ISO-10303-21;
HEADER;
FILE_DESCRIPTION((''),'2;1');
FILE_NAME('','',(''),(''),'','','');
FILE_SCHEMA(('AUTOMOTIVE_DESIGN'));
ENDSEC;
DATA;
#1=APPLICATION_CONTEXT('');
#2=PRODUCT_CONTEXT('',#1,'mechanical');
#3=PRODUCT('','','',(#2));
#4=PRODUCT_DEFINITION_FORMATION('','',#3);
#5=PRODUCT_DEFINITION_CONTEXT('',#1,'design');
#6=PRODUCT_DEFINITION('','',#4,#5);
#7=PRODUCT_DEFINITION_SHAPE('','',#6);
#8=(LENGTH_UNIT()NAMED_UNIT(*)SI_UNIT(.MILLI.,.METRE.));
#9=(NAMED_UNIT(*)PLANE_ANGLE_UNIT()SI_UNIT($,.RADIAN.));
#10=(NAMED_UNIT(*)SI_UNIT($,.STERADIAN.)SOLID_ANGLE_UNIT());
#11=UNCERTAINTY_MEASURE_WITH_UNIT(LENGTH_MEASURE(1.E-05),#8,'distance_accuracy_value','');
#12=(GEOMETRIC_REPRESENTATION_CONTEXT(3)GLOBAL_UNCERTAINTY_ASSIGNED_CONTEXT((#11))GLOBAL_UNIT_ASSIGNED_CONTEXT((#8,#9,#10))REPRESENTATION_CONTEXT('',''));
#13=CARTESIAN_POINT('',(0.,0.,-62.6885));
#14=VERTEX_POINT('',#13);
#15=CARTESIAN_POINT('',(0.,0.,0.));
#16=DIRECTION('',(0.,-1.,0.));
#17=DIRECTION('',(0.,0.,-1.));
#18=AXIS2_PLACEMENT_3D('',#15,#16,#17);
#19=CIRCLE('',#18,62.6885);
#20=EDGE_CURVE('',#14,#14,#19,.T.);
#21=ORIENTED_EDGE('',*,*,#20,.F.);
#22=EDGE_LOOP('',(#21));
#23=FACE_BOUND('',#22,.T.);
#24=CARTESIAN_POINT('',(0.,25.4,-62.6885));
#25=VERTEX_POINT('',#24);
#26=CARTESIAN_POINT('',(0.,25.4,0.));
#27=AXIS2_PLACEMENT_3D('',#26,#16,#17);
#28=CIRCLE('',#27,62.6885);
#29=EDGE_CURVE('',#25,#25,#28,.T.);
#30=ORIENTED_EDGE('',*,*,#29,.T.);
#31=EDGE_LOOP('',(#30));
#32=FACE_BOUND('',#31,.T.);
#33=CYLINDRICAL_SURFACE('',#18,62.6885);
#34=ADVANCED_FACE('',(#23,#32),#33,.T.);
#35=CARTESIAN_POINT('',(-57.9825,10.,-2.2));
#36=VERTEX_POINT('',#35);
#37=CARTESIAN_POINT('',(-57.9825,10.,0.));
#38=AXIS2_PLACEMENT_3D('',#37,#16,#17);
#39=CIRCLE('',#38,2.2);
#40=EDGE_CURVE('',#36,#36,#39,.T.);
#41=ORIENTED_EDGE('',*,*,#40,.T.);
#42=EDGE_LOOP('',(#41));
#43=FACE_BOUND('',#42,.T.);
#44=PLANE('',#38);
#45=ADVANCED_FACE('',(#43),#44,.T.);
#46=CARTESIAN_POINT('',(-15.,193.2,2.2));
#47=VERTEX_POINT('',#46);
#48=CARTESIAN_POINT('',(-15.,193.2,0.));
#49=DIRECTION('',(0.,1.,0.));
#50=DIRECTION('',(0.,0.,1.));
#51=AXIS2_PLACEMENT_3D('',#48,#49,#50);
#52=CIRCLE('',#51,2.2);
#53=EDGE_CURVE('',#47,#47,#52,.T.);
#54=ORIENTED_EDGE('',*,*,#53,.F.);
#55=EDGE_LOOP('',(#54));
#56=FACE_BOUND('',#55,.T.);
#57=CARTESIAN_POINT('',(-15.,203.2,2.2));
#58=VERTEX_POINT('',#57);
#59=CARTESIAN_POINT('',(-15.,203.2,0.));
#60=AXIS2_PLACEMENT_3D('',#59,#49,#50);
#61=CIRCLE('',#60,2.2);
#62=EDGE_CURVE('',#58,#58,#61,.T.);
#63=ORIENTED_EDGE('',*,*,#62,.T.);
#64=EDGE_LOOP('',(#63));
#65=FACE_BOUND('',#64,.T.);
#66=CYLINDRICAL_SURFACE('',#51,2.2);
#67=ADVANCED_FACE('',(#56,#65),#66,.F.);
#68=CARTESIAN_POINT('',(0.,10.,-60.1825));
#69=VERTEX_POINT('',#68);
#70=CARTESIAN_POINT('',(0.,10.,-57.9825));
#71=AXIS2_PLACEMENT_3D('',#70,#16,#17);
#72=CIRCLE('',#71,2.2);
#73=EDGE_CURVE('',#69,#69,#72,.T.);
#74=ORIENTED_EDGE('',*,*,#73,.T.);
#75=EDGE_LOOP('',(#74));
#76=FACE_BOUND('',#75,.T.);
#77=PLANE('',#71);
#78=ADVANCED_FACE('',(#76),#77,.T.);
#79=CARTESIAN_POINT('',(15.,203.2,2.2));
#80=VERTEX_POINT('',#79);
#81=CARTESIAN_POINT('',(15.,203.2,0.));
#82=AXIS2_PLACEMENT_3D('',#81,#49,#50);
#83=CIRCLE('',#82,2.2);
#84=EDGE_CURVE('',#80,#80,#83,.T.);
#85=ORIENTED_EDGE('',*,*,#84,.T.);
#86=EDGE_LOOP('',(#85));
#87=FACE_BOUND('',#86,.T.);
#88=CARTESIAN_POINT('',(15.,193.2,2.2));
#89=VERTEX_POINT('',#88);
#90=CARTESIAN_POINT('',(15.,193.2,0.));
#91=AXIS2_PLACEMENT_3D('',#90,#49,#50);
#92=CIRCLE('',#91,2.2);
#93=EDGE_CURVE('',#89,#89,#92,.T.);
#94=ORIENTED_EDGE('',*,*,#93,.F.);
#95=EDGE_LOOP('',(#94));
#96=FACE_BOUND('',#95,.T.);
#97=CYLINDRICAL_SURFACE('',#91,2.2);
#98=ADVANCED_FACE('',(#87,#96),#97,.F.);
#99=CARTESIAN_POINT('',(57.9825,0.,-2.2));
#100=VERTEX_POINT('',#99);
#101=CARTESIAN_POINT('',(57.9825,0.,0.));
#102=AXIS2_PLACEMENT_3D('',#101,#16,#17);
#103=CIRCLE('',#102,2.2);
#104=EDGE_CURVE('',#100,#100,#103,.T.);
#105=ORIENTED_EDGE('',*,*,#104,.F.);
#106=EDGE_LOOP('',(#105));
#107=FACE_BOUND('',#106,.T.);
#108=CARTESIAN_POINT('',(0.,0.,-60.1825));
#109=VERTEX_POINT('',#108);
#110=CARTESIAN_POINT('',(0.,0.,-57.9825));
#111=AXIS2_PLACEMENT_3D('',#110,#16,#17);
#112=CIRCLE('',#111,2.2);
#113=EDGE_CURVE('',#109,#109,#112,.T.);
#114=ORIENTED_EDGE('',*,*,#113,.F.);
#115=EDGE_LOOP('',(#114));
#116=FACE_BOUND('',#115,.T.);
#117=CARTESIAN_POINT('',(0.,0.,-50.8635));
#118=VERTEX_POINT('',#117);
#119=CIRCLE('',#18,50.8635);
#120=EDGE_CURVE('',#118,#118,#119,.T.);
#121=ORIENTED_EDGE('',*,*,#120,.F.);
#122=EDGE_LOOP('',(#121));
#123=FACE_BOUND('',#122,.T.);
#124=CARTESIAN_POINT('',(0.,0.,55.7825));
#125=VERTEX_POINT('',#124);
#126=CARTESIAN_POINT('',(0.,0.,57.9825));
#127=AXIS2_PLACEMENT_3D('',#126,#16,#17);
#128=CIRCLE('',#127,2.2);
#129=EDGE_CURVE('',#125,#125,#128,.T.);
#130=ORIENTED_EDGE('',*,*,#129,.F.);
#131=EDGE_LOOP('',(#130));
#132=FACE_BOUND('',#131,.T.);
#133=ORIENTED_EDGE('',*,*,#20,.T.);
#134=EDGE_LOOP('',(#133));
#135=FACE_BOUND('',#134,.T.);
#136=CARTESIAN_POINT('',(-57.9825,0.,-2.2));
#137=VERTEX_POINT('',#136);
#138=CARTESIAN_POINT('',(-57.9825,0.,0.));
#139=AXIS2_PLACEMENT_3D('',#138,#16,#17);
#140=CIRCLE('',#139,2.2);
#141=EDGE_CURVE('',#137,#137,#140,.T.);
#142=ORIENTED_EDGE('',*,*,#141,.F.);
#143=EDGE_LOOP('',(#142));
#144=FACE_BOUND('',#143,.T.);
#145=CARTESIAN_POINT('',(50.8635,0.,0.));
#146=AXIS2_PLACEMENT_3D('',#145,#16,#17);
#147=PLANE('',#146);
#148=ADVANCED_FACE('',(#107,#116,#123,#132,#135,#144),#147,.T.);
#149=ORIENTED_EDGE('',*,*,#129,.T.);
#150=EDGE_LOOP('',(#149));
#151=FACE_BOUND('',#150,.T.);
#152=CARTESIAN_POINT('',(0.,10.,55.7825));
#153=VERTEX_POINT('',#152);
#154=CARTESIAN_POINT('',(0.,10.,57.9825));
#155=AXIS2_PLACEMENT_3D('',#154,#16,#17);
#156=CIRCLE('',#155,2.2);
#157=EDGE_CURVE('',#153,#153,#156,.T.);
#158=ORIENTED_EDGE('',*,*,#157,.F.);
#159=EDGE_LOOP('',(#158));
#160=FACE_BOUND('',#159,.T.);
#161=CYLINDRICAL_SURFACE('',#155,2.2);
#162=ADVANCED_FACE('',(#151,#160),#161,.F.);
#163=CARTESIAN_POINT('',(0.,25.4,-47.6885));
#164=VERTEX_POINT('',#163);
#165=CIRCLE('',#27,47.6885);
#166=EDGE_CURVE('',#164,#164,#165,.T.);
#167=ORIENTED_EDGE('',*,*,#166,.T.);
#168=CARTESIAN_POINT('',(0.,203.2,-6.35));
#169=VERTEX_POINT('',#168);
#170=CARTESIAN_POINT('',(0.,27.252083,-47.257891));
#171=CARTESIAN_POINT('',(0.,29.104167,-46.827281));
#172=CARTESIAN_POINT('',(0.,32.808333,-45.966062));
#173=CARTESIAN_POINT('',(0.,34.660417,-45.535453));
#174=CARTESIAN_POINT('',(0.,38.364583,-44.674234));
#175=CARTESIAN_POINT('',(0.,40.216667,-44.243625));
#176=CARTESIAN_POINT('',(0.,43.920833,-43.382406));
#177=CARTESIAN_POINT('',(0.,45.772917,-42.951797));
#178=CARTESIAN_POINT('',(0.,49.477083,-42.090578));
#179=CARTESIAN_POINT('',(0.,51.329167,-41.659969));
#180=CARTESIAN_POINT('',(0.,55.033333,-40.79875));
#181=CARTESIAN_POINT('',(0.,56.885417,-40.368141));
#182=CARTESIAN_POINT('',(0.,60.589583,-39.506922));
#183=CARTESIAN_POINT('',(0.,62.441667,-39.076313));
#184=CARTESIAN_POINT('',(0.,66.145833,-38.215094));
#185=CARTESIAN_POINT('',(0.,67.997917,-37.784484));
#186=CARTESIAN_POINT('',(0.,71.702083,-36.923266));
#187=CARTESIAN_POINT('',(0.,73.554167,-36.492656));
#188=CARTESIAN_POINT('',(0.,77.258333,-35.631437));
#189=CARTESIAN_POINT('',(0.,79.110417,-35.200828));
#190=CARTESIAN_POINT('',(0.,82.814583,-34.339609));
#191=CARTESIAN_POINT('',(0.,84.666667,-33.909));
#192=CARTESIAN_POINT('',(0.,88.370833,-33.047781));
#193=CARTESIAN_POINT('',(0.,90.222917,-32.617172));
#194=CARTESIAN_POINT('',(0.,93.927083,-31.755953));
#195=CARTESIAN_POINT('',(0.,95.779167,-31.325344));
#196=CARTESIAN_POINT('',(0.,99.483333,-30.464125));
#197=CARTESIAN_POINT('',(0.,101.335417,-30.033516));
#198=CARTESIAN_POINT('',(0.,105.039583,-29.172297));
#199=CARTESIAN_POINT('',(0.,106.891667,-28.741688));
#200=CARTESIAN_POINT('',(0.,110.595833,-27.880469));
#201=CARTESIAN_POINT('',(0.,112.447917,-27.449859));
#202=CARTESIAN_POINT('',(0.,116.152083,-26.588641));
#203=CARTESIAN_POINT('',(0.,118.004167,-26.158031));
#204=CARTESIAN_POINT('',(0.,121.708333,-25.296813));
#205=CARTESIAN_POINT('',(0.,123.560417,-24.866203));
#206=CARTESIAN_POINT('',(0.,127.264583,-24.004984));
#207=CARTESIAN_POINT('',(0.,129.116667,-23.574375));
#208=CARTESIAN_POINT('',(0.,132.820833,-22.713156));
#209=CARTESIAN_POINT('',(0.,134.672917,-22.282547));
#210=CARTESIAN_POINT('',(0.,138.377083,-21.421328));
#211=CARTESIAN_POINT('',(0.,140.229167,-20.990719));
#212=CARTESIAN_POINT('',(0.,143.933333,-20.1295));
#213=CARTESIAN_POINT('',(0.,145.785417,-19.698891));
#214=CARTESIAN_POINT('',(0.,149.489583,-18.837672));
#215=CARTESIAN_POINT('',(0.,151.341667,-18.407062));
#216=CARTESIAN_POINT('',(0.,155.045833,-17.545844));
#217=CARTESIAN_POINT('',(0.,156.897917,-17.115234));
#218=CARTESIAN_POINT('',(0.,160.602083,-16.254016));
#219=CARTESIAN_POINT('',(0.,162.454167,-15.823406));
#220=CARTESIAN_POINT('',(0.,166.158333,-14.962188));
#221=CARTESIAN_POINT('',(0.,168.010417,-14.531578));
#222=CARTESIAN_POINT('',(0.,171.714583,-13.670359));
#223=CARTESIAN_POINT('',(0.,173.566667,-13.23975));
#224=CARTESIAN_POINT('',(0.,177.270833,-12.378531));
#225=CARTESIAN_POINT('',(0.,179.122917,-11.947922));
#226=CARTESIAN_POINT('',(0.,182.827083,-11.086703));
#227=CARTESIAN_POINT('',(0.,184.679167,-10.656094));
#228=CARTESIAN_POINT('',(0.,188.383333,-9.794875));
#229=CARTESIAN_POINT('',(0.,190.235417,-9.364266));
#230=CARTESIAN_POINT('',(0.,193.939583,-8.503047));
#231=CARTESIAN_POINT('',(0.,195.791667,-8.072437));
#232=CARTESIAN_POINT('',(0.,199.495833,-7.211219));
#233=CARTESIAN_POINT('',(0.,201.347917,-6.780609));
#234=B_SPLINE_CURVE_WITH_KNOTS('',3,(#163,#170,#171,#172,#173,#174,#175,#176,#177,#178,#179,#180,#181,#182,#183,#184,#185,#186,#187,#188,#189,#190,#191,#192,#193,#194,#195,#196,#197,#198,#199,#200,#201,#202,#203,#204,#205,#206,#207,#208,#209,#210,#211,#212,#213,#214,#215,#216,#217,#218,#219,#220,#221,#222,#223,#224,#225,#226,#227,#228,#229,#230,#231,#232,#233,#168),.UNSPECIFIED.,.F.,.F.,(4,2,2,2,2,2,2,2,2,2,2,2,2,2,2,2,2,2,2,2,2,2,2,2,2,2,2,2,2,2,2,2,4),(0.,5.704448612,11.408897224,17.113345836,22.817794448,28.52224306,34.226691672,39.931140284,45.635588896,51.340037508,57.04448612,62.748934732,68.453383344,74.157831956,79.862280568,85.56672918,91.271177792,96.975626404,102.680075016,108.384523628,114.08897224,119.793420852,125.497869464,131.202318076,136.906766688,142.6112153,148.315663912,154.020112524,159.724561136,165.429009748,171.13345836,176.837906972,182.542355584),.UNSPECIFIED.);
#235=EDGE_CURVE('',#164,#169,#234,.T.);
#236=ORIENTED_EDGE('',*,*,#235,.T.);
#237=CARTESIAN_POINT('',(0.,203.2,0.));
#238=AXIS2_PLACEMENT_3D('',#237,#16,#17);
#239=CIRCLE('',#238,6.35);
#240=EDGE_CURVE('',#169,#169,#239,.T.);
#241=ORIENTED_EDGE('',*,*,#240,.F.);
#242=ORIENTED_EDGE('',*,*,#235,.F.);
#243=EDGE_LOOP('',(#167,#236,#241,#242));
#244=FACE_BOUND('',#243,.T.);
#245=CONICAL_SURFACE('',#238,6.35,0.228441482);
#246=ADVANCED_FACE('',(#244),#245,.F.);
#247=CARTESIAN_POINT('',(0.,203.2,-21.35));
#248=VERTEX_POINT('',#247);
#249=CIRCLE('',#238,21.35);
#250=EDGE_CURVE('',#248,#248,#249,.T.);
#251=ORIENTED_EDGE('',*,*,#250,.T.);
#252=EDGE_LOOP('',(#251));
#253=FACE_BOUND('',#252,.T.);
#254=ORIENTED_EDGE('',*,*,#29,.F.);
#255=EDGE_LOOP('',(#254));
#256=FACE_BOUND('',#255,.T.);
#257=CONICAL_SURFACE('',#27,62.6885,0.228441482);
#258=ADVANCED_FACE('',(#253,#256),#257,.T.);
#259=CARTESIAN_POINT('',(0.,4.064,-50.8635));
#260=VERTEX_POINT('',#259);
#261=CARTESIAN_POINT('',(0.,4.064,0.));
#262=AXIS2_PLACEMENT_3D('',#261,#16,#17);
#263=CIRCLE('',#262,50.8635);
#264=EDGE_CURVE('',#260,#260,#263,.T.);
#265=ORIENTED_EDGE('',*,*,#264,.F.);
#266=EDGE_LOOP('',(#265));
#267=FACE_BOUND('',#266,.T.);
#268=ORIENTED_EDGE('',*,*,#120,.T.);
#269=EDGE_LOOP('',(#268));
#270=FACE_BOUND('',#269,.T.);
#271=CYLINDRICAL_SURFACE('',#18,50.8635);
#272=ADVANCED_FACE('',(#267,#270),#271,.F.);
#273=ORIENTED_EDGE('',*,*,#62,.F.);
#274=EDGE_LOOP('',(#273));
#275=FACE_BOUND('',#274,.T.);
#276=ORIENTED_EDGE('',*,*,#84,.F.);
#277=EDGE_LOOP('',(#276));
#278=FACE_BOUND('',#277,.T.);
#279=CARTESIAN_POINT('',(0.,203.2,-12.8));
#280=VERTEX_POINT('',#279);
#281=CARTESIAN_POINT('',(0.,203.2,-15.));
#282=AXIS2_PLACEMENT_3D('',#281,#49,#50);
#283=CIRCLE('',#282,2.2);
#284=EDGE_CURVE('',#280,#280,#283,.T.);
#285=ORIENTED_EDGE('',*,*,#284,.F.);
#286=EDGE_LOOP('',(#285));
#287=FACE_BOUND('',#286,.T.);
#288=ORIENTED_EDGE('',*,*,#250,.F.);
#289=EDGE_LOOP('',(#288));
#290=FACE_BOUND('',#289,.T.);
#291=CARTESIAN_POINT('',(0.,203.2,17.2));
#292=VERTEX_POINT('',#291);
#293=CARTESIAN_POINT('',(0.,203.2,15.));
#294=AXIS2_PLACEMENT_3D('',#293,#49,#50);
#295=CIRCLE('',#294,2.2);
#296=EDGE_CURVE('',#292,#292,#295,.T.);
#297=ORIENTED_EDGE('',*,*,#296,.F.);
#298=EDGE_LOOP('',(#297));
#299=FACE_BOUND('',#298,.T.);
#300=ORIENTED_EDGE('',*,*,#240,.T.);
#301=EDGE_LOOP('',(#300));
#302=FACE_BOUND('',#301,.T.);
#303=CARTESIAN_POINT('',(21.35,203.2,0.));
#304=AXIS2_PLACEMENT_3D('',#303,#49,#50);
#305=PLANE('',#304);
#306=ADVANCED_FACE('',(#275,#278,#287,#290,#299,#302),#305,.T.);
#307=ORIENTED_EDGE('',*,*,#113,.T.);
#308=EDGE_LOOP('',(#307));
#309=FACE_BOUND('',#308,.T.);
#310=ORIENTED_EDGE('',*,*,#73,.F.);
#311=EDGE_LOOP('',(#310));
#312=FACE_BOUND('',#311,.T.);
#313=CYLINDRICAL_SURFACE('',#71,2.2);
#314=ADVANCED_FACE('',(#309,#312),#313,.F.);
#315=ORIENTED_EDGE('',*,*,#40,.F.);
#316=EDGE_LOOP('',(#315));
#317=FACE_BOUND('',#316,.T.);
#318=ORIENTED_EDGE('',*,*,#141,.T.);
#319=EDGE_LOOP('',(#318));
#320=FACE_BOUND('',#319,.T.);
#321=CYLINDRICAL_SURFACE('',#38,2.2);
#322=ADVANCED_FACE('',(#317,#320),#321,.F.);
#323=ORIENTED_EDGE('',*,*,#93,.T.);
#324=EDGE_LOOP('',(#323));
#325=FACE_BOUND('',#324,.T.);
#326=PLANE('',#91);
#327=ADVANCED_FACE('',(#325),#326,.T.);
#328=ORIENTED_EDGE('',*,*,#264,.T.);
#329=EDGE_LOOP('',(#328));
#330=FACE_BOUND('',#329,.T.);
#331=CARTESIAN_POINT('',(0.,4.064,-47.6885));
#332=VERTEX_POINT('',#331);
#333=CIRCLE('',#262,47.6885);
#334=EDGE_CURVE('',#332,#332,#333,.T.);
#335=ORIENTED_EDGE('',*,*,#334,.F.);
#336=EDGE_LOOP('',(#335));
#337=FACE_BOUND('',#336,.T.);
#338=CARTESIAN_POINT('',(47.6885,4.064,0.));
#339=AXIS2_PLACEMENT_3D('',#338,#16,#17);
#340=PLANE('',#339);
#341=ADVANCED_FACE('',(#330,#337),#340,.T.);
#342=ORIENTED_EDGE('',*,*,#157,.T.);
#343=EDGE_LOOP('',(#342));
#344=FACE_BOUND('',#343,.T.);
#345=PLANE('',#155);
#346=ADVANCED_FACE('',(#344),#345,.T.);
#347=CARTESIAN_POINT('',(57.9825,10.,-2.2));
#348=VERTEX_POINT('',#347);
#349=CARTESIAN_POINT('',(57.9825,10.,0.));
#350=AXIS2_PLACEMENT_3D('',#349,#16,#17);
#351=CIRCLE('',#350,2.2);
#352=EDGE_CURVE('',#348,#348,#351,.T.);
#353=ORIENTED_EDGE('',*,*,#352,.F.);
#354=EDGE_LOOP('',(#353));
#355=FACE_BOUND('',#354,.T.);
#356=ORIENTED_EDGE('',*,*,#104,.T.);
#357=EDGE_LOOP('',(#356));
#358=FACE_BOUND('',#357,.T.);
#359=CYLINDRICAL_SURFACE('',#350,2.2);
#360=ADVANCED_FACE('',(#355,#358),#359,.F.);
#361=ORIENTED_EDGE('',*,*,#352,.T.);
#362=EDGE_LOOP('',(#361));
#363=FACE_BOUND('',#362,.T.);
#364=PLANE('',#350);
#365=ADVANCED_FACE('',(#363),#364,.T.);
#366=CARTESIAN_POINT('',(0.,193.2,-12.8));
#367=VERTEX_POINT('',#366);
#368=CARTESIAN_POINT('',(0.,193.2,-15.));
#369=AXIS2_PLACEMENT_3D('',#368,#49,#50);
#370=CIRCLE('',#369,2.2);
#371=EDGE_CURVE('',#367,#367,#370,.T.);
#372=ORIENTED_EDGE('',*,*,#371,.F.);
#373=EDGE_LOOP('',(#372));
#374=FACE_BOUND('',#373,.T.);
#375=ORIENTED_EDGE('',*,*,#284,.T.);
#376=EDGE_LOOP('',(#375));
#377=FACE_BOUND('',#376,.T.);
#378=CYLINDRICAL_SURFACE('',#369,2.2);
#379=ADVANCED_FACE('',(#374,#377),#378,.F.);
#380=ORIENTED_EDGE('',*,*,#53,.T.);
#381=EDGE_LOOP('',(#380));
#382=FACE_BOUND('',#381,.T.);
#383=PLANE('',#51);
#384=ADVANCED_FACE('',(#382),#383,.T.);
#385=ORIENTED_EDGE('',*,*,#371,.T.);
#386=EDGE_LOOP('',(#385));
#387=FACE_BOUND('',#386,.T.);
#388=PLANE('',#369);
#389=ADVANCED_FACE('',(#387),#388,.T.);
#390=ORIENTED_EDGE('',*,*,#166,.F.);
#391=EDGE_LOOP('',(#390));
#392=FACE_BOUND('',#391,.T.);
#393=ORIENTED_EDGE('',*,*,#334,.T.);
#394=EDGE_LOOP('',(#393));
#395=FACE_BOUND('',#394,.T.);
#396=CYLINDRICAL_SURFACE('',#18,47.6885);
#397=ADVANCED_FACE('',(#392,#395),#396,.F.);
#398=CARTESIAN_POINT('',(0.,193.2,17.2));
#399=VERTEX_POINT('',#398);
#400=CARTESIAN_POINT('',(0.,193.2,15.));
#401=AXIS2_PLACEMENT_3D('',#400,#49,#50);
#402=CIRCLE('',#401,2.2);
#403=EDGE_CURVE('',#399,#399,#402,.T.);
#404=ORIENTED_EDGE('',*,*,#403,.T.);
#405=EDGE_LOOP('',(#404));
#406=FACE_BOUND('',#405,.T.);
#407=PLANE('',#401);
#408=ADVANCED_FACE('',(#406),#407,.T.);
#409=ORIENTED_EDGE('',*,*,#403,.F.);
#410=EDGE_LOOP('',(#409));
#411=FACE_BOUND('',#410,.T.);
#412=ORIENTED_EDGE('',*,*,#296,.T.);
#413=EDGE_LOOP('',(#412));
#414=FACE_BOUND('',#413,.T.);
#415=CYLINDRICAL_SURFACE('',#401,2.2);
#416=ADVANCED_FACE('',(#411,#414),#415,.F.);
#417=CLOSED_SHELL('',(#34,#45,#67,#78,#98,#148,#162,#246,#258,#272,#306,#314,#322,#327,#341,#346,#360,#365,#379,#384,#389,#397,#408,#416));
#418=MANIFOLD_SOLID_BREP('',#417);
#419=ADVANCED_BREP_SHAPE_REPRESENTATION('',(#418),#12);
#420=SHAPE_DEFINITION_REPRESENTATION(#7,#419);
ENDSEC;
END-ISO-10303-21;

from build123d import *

# Parameters (mm, degrees)
SKETCH3_R          = 2.2
CUT_EXTRUDE1_DEPTH = 10
SKETCH4_R          = 2.2
CUT_EXTRUDE2_DEPTH = 10


with BuildPart() as part:
    # Sketch2 → Revolve1 (revolve)
    with BuildSketch(Plane.XY, mode=Mode.PRIVATE) as revolve1_sk:
        Polygon((50.8635, 0), (62.6885, 0), (62.6885, 25.4), (21.35, 203.2), (6.35, 203.2), (47.6885, 25.4), (47.6885, 4.064), (50.8635, 4.064), align=None)
    revolve(revolve1_sk.sketch.rotate(Axis((0, 0, 0), (0, 1, 0)), 90), axis=Axis((0, 0, 0), (0, 1, 0)))

    # Sketch3 → Cut-Extrude1 (cut)
    with BuildSketch(Plane.XZ):
        with Locations(Location((-57.9825, 0, 0), (0, 0, 270))):
            Circle(SKETCH3_R)
        with Locations(Location((0, 57.9825, 0), (0, 0, 270))):
            Circle(SKETCH3_R)
        with Locations(Location((57.9825, 0, 0), (0, 0, 270))):
            Circle(SKETCH3_R)
        with Locations(Location((0, -57.9825, 0), (0, 0, 270))):
            Circle(SKETCH3_R)
    extrude(amount=-CUT_EXTRUDE1_DEPTH, mode=Mode.SUBTRACT)

    # Sketch4 → Cut-Extrude2 (cut)
    with BuildSketch(Plane(origin=(0, 203.2, 0), x_dir=(1, 0, 0), z_dir=(0, 1, 0))):
        with Locations(Location((-15, 0, 0), (0, 0, 270))):
            Circle(SKETCH4_R)
        with Locations(Location((0, 15, 0), (0, 0, 270))):
            Circle(SKETCH4_R)
        with Locations(Location((15, 0, 0), (0, 0, 270))):
            Circle(SKETCH4_R)
        with Locations(Location((0, -15, 0), (0, 0, 270))):
            Circle(SKETCH4_R)
    extrude(amount=-CUT_EXTRUDE2_DEPTH, mode=Mode.SUBTRACT)


solid = part.part
